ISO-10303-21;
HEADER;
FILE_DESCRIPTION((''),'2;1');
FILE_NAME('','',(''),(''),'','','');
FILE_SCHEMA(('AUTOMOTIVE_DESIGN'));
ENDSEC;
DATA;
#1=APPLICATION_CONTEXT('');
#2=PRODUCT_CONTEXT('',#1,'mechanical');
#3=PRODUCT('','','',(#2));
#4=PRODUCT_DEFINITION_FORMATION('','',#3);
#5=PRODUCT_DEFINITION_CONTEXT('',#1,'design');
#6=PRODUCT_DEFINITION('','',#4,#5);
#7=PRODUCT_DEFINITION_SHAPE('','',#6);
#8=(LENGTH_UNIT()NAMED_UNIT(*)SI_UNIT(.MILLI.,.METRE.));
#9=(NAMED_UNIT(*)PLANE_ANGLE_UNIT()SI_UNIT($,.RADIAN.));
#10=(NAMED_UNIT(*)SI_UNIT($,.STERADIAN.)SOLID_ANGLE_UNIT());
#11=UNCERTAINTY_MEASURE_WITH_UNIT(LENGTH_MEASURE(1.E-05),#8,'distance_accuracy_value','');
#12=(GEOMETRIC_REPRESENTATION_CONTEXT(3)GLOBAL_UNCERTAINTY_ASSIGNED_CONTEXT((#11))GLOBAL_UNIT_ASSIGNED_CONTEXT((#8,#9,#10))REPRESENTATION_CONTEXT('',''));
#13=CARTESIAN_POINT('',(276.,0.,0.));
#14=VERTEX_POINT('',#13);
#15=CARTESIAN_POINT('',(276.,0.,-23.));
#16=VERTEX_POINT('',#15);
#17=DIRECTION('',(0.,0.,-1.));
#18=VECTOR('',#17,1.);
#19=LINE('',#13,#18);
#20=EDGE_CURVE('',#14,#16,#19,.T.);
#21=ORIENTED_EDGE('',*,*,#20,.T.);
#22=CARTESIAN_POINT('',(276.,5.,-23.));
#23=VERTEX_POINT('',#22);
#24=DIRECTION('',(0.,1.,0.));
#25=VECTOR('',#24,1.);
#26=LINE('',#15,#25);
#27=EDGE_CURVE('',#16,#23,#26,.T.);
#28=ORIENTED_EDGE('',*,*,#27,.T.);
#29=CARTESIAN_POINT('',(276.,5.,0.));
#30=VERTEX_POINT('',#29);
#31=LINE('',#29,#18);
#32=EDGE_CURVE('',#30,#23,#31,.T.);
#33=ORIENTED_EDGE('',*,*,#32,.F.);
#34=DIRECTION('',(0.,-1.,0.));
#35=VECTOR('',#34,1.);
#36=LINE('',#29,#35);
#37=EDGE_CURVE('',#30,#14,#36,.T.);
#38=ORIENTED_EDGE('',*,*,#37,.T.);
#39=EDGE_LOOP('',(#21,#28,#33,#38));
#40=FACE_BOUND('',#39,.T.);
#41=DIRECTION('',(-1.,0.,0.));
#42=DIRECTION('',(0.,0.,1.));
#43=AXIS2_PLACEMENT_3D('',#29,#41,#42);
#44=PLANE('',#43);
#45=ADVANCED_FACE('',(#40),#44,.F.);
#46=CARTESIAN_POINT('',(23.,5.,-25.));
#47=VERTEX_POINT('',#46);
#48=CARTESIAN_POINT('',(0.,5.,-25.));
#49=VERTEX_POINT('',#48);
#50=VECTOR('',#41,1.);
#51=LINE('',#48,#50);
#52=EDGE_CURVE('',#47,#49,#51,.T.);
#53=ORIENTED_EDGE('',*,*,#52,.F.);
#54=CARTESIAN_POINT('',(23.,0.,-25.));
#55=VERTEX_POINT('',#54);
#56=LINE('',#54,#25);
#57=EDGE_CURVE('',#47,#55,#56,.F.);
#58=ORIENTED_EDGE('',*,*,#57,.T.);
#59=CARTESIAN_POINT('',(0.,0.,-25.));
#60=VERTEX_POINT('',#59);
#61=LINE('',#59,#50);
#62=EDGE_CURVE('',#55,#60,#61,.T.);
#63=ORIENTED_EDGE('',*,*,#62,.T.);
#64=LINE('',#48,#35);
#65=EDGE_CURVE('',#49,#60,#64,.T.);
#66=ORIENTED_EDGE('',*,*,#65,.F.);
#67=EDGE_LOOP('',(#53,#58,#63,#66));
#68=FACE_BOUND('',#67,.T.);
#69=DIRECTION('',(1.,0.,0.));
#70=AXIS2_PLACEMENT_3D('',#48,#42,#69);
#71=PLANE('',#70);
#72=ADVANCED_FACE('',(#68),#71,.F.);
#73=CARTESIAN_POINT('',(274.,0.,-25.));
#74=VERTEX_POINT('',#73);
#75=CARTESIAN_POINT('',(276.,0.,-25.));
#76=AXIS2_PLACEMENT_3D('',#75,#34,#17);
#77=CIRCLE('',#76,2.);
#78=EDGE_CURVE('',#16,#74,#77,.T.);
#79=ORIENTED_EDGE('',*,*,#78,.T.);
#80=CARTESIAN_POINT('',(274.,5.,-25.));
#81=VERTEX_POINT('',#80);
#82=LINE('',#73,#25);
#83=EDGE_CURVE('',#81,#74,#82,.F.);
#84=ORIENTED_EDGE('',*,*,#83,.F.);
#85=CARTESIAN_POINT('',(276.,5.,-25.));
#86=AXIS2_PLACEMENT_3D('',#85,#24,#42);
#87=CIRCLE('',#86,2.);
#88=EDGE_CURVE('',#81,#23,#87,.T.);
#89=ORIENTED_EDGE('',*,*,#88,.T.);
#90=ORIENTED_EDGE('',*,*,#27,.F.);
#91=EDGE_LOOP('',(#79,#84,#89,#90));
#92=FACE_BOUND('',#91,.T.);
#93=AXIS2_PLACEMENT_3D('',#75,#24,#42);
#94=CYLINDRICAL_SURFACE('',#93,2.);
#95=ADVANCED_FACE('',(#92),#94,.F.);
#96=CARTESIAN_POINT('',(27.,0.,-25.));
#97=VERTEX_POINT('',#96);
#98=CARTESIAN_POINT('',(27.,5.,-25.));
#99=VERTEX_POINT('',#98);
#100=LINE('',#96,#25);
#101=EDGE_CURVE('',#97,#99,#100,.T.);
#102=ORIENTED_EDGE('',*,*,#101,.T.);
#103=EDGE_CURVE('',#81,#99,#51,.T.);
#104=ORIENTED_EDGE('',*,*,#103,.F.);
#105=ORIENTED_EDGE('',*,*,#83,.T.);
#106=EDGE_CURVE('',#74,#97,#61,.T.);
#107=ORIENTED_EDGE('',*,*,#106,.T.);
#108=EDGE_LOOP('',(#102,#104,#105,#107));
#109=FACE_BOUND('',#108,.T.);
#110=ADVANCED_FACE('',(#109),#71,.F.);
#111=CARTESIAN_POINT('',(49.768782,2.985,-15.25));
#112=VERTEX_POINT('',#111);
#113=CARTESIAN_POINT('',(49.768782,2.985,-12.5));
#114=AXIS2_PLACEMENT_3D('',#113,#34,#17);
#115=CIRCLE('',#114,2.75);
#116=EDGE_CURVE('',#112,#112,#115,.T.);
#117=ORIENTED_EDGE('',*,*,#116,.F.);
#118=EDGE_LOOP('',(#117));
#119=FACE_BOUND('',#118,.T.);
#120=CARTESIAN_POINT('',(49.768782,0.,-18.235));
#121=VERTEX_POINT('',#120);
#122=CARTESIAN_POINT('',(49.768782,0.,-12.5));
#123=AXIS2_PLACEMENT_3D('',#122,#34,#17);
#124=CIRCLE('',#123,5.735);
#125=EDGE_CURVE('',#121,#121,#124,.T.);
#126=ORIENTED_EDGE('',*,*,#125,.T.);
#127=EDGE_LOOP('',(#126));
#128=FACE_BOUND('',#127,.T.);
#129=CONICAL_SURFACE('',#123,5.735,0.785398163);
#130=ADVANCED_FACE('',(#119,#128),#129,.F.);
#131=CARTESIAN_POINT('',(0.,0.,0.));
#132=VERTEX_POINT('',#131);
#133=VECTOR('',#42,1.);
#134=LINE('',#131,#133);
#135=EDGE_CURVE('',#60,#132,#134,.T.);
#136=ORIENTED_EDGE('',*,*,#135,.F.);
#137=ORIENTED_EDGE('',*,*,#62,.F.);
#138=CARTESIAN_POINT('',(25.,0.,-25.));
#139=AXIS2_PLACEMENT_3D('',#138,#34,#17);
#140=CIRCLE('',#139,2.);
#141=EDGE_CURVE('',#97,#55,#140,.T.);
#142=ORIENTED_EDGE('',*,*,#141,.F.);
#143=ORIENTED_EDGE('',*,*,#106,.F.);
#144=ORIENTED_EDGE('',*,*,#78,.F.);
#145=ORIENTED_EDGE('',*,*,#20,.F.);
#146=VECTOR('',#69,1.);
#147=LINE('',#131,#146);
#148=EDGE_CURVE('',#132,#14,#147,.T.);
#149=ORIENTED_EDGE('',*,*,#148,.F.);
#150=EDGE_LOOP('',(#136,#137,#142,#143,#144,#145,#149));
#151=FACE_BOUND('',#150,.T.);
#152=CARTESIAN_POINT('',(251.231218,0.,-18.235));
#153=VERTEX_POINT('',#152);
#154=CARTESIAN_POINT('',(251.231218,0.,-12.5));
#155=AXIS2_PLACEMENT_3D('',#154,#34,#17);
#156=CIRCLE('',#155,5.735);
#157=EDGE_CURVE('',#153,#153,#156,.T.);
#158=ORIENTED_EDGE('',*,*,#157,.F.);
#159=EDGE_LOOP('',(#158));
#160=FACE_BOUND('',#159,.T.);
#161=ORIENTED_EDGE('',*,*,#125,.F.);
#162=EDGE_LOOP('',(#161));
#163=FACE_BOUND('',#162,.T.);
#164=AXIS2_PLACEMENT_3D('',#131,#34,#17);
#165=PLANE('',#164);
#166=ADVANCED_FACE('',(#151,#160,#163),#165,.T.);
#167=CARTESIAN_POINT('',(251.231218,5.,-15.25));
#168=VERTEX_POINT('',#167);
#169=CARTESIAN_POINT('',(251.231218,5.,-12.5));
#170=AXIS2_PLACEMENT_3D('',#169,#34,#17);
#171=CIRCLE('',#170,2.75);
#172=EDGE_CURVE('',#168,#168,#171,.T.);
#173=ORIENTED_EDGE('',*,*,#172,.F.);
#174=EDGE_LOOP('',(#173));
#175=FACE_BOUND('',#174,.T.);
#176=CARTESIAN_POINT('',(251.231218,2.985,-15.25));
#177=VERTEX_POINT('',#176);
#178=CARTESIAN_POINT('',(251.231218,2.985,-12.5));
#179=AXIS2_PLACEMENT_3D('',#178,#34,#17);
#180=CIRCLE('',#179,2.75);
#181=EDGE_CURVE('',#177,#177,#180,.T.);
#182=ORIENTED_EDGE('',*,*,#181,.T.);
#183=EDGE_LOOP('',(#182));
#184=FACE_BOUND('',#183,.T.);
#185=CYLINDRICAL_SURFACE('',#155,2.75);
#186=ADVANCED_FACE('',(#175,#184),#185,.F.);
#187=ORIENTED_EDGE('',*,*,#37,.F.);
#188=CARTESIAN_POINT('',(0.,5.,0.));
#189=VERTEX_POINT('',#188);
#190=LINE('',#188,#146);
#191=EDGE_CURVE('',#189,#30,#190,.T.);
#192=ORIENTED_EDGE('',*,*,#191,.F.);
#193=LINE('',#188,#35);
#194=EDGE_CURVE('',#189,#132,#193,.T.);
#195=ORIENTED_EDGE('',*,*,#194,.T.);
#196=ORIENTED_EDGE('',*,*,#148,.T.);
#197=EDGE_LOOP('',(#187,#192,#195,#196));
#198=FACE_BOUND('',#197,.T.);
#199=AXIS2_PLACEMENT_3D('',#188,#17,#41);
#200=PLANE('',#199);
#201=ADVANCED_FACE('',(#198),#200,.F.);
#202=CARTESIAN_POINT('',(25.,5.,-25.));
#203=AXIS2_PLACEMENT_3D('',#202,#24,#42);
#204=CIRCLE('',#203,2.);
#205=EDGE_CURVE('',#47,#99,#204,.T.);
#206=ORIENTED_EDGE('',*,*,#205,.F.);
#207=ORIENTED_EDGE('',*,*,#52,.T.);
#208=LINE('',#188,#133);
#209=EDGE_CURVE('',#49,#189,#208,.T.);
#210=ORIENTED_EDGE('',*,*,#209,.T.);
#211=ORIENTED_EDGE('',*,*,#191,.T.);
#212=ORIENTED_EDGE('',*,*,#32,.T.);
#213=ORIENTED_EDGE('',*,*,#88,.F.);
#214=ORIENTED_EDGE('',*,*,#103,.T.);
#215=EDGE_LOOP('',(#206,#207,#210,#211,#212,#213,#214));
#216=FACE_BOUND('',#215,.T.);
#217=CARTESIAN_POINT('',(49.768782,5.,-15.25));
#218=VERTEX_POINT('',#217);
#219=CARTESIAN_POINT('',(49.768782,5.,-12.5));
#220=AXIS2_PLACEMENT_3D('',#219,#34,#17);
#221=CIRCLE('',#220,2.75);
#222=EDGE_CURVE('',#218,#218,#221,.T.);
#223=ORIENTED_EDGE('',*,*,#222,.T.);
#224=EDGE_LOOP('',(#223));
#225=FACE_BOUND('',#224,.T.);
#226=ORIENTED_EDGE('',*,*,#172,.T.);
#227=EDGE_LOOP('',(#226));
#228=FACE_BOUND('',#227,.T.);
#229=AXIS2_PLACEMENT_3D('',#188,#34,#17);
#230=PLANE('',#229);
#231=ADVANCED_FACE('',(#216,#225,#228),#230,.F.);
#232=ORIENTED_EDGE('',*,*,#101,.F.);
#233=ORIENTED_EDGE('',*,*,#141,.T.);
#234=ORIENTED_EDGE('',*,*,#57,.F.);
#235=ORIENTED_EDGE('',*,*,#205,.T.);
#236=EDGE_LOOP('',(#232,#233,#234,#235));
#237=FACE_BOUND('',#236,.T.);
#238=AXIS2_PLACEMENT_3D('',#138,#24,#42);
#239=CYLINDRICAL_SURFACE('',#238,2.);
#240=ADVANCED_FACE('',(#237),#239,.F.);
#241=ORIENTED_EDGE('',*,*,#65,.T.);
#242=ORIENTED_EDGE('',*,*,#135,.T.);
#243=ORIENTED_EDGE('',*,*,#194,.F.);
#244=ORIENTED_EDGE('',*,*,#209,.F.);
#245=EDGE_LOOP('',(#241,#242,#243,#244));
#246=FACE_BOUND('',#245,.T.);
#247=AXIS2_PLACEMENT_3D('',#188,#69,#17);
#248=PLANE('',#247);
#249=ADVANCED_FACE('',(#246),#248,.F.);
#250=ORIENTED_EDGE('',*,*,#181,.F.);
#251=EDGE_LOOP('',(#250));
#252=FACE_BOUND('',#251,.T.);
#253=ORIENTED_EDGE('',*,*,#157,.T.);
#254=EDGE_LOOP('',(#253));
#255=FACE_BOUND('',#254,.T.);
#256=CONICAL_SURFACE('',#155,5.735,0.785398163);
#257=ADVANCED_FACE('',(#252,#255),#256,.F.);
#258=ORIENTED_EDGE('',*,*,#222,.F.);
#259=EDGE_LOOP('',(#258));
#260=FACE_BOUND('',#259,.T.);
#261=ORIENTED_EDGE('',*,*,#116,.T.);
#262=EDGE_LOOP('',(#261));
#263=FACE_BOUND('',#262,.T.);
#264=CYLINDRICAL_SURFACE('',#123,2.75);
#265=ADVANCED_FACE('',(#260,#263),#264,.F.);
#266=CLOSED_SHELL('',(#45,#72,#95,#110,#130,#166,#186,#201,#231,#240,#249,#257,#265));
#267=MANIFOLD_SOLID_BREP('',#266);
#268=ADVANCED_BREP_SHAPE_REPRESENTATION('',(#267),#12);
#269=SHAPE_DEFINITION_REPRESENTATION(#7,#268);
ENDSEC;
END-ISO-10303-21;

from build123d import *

# Parameters (mm, degrees)
CROQUIS1_W                                           = 276
CROQUIS1_H                                           = 25
SALIENTE_EXTRUIR1_DEPTH                              = 5
CROQUIS2_R                                           = 2
CORTAR_EXTRUIR1_DEPTH                                = 5
AVELLANADO_PARA_TORNILLO_CON_CABEZA_AVEL_D           = 5.5
AVELLANADO_PARA_TORNILLO_CON_CABEZA_AVEL_DEPTH       = 5
AVELLANADO_PARA_TORNILLO_CON_CABEZA_AVEL_CSINK_D     = 11.47
AVELLANADO_PARA_TORNILLO_CON_CABEZA_AVEL_CSINK_ANGLE = 90
AVELLANADO_PARA_TORNILLO_CON_CABEZA_AVEL_TIP         = 1.652366702


with BuildPart() as part:
    # Croquis1 → Saliente-Extruir1 (new body)
    with BuildSketch(Plane(origin=(0, 0, 0), x_dir=(1, 0, 0), z_dir=(0, 1, 0))):
        with Locations((138, 12.5)):
            Rectangle(CROQUIS1_W, CROQUIS1_H)
    extrude(amount=SALIENTE_EXTRUIR1_DEPTH)

    # Croquis2 → Cortar-Extruir1 (cut)
    with BuildSketch(Plane(origin=(0, 5, 0), x_dir=(1, 0, 0), z_dir=(0, 1, 0))):
        with Locations((276, 25)):
            Circle(CROQUIS2_R)
        with Locations((25, 25)):
            Circle(CROQUIS2_R)
    extrude(amount=-CORTAR_EXTRUIR1_DEPTH, mode=Mode.SUBTRACT)

    # Avellanado para tornillo con cabeza avellanada de clavija hexagonal de M51
    with Locations(Plane(origin=(0, 0, 0), x_dir=(-1, 0, 0), z_dir=(0, -1, 0))):
        with Locations((-251.231218281, 12.5), (-49.768781719, 12.5)):
            CounterSinkHole(AVELLANADO_PARA_TORNILLO_CON_CABEZA_AVEL_D / 2, AVELLANADO_PARA_TORNILLO_CON_CABEZA_AVEL_CSINK_D / 2, depth=AVELLANADO_PARA_TORNILLO_CON_CABEZA_AVEL_DEPTH, counter_sink_angle=AVELLANADO_PARA_TORNILLO_CON_CABEZA_AVEL_CSINK_ANGLE)
            with Locations((0, 0, -(AVELLANADO_PARA_TORNILLO_CON_CABEZA_AVEL_DEPTH + AVELLANADO_PARA_TORNILLO_CON_CABEZA_AVEL_TIP / 2))):  # 118° drill point
                Cone(0, AVELLANADO_PARA_TORNILLO_CON_CABEZA_AVEL_D / 2, AVELLANADO_PARA_TORNILLO_CON_CABEZA_AVEL_TIP, mode=Mode.SUBTRACT)


solid = part.part
